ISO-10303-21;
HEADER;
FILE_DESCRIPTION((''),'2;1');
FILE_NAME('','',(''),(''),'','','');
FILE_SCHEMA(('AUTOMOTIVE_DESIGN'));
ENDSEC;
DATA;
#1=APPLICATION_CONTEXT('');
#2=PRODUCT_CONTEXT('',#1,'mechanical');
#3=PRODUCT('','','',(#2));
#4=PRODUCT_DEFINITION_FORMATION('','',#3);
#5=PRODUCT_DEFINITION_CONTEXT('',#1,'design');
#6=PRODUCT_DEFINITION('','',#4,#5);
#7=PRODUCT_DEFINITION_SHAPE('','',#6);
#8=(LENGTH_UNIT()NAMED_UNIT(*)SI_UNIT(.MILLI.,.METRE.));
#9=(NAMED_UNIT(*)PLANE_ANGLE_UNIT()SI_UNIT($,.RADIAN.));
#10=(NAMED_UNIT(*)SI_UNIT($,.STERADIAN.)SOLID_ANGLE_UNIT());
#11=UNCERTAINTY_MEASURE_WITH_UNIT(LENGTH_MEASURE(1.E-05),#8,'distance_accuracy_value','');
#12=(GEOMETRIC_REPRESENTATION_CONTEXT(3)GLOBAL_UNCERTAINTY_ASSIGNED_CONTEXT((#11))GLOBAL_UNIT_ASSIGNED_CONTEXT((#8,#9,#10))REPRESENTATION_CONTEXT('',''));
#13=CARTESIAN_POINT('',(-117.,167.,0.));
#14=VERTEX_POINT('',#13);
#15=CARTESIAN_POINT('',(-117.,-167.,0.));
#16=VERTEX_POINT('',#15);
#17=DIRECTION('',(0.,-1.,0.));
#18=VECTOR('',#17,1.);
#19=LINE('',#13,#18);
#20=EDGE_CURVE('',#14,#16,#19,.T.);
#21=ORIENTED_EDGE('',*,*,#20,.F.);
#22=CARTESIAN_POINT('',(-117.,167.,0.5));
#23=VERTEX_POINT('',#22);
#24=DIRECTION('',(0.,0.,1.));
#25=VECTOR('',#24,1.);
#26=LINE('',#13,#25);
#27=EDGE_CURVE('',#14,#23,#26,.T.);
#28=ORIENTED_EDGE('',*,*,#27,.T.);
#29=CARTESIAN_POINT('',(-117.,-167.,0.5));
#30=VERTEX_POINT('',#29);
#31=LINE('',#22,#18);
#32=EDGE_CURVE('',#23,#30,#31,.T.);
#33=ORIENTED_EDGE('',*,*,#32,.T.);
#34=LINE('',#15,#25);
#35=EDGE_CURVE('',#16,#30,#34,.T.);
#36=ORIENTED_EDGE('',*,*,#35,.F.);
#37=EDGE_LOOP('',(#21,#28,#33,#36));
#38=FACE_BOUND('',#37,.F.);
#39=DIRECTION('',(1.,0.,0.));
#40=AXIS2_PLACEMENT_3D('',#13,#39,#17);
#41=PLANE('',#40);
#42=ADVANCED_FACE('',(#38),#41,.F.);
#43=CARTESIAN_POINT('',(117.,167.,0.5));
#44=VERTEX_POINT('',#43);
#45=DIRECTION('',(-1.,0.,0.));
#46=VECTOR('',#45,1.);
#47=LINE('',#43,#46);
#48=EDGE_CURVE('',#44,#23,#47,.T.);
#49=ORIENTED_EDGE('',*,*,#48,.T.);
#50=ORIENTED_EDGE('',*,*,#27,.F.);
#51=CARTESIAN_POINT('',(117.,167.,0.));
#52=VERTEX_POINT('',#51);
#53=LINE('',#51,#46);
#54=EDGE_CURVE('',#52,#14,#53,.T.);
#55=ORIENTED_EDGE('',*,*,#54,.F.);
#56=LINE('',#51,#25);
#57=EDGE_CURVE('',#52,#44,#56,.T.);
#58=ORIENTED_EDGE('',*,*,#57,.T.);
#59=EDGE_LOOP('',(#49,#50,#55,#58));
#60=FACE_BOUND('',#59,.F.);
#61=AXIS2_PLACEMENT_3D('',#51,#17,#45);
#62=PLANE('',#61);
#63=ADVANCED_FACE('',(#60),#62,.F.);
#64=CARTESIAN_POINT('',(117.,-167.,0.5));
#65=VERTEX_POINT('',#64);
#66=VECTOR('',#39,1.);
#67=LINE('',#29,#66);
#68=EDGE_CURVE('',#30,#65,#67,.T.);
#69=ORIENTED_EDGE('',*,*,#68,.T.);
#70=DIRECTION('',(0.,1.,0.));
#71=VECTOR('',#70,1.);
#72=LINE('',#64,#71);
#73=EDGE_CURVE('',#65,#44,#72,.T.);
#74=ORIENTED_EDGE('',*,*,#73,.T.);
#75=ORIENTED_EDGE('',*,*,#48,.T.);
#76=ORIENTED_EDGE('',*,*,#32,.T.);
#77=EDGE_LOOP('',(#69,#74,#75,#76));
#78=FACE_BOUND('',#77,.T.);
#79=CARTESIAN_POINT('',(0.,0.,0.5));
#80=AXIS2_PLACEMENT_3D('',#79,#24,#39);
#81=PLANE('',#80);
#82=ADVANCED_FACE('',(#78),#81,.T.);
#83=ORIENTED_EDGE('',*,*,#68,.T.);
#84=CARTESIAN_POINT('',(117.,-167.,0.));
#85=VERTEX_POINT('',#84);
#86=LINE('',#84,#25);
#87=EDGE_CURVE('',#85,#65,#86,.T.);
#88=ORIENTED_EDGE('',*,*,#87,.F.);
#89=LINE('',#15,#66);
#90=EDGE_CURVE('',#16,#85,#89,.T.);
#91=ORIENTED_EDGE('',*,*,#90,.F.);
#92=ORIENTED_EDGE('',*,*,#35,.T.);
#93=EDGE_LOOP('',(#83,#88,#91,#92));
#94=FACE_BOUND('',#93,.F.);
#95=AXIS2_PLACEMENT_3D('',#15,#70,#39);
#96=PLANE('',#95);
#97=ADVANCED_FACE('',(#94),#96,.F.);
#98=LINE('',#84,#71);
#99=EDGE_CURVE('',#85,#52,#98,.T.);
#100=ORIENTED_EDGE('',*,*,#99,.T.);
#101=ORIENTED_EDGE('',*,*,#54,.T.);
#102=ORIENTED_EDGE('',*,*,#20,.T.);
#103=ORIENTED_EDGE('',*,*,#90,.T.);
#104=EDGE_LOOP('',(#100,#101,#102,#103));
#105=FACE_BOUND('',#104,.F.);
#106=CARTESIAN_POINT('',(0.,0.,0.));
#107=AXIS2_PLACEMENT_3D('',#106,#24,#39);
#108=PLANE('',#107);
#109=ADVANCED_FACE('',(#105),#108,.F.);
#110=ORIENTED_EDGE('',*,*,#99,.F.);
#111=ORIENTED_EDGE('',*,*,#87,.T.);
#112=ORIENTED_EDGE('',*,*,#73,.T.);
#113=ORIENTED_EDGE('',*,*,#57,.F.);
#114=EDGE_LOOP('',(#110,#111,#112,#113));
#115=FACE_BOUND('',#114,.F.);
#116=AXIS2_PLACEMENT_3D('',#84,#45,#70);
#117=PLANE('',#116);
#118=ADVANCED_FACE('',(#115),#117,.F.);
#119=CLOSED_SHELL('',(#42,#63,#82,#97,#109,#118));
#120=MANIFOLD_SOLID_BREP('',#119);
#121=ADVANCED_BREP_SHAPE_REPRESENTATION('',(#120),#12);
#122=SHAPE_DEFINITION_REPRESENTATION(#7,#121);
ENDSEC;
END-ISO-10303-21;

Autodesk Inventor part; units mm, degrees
ref_plane "YZ Plane" through (0, 0, 0) normal (1, 0, 0) x (0, 1, 0)
ref_plane "XZ Plane" through (0, 0, 0) normal (0, 1, 0) x (-1, 0, 0)
ref_plane "XY Plane" through (0, 0, 0) normal (0, 0, 1) x (1, 0, 0)
sketch "Sketch1" plane through (0, 0, 0) normal (0, 0, 1) x (1, 0, 0)
  line L0 (-117, -167) -> (117, -167)
  line L1 (117, -167) -> (117, 167)
  line L2 (117, 167) -> (-117, 167)
  line L3 (-117, 167) -> (-117, -167)
  line L4 (-117, -167) -> (117, 167) construction
  line L5 (117, -167) -> (-117, 167) construction
  point P0 (0, 0)
  dimension "d0" = 234
  dimension "d1" = 334
extrude "Plate1" add sketch "Sketch1" along normal blind 0.5
equation "\"d2\" = Thickness"
equation "\"BendRadius\" = Thickness"
equation "\"BendReliefWidth\" = Thickness"
equation "\"BendReliefDepth\" = 0.5 * Thickness"
equation "\"CornerReliefSize\" = 4 * Thickness"
equation "\"MinimumRemnant\" = 2 * Thickness"
equation "\"TransitionRadius\" = BendRadius"
equation "\"JacobiRadiusSize\" = BendRadius"
equation "\"GapSize\" = Thickness"
equation "\"Thickness\" = 0.5"
properties part number "CONTROL_OPZETSTUK"
